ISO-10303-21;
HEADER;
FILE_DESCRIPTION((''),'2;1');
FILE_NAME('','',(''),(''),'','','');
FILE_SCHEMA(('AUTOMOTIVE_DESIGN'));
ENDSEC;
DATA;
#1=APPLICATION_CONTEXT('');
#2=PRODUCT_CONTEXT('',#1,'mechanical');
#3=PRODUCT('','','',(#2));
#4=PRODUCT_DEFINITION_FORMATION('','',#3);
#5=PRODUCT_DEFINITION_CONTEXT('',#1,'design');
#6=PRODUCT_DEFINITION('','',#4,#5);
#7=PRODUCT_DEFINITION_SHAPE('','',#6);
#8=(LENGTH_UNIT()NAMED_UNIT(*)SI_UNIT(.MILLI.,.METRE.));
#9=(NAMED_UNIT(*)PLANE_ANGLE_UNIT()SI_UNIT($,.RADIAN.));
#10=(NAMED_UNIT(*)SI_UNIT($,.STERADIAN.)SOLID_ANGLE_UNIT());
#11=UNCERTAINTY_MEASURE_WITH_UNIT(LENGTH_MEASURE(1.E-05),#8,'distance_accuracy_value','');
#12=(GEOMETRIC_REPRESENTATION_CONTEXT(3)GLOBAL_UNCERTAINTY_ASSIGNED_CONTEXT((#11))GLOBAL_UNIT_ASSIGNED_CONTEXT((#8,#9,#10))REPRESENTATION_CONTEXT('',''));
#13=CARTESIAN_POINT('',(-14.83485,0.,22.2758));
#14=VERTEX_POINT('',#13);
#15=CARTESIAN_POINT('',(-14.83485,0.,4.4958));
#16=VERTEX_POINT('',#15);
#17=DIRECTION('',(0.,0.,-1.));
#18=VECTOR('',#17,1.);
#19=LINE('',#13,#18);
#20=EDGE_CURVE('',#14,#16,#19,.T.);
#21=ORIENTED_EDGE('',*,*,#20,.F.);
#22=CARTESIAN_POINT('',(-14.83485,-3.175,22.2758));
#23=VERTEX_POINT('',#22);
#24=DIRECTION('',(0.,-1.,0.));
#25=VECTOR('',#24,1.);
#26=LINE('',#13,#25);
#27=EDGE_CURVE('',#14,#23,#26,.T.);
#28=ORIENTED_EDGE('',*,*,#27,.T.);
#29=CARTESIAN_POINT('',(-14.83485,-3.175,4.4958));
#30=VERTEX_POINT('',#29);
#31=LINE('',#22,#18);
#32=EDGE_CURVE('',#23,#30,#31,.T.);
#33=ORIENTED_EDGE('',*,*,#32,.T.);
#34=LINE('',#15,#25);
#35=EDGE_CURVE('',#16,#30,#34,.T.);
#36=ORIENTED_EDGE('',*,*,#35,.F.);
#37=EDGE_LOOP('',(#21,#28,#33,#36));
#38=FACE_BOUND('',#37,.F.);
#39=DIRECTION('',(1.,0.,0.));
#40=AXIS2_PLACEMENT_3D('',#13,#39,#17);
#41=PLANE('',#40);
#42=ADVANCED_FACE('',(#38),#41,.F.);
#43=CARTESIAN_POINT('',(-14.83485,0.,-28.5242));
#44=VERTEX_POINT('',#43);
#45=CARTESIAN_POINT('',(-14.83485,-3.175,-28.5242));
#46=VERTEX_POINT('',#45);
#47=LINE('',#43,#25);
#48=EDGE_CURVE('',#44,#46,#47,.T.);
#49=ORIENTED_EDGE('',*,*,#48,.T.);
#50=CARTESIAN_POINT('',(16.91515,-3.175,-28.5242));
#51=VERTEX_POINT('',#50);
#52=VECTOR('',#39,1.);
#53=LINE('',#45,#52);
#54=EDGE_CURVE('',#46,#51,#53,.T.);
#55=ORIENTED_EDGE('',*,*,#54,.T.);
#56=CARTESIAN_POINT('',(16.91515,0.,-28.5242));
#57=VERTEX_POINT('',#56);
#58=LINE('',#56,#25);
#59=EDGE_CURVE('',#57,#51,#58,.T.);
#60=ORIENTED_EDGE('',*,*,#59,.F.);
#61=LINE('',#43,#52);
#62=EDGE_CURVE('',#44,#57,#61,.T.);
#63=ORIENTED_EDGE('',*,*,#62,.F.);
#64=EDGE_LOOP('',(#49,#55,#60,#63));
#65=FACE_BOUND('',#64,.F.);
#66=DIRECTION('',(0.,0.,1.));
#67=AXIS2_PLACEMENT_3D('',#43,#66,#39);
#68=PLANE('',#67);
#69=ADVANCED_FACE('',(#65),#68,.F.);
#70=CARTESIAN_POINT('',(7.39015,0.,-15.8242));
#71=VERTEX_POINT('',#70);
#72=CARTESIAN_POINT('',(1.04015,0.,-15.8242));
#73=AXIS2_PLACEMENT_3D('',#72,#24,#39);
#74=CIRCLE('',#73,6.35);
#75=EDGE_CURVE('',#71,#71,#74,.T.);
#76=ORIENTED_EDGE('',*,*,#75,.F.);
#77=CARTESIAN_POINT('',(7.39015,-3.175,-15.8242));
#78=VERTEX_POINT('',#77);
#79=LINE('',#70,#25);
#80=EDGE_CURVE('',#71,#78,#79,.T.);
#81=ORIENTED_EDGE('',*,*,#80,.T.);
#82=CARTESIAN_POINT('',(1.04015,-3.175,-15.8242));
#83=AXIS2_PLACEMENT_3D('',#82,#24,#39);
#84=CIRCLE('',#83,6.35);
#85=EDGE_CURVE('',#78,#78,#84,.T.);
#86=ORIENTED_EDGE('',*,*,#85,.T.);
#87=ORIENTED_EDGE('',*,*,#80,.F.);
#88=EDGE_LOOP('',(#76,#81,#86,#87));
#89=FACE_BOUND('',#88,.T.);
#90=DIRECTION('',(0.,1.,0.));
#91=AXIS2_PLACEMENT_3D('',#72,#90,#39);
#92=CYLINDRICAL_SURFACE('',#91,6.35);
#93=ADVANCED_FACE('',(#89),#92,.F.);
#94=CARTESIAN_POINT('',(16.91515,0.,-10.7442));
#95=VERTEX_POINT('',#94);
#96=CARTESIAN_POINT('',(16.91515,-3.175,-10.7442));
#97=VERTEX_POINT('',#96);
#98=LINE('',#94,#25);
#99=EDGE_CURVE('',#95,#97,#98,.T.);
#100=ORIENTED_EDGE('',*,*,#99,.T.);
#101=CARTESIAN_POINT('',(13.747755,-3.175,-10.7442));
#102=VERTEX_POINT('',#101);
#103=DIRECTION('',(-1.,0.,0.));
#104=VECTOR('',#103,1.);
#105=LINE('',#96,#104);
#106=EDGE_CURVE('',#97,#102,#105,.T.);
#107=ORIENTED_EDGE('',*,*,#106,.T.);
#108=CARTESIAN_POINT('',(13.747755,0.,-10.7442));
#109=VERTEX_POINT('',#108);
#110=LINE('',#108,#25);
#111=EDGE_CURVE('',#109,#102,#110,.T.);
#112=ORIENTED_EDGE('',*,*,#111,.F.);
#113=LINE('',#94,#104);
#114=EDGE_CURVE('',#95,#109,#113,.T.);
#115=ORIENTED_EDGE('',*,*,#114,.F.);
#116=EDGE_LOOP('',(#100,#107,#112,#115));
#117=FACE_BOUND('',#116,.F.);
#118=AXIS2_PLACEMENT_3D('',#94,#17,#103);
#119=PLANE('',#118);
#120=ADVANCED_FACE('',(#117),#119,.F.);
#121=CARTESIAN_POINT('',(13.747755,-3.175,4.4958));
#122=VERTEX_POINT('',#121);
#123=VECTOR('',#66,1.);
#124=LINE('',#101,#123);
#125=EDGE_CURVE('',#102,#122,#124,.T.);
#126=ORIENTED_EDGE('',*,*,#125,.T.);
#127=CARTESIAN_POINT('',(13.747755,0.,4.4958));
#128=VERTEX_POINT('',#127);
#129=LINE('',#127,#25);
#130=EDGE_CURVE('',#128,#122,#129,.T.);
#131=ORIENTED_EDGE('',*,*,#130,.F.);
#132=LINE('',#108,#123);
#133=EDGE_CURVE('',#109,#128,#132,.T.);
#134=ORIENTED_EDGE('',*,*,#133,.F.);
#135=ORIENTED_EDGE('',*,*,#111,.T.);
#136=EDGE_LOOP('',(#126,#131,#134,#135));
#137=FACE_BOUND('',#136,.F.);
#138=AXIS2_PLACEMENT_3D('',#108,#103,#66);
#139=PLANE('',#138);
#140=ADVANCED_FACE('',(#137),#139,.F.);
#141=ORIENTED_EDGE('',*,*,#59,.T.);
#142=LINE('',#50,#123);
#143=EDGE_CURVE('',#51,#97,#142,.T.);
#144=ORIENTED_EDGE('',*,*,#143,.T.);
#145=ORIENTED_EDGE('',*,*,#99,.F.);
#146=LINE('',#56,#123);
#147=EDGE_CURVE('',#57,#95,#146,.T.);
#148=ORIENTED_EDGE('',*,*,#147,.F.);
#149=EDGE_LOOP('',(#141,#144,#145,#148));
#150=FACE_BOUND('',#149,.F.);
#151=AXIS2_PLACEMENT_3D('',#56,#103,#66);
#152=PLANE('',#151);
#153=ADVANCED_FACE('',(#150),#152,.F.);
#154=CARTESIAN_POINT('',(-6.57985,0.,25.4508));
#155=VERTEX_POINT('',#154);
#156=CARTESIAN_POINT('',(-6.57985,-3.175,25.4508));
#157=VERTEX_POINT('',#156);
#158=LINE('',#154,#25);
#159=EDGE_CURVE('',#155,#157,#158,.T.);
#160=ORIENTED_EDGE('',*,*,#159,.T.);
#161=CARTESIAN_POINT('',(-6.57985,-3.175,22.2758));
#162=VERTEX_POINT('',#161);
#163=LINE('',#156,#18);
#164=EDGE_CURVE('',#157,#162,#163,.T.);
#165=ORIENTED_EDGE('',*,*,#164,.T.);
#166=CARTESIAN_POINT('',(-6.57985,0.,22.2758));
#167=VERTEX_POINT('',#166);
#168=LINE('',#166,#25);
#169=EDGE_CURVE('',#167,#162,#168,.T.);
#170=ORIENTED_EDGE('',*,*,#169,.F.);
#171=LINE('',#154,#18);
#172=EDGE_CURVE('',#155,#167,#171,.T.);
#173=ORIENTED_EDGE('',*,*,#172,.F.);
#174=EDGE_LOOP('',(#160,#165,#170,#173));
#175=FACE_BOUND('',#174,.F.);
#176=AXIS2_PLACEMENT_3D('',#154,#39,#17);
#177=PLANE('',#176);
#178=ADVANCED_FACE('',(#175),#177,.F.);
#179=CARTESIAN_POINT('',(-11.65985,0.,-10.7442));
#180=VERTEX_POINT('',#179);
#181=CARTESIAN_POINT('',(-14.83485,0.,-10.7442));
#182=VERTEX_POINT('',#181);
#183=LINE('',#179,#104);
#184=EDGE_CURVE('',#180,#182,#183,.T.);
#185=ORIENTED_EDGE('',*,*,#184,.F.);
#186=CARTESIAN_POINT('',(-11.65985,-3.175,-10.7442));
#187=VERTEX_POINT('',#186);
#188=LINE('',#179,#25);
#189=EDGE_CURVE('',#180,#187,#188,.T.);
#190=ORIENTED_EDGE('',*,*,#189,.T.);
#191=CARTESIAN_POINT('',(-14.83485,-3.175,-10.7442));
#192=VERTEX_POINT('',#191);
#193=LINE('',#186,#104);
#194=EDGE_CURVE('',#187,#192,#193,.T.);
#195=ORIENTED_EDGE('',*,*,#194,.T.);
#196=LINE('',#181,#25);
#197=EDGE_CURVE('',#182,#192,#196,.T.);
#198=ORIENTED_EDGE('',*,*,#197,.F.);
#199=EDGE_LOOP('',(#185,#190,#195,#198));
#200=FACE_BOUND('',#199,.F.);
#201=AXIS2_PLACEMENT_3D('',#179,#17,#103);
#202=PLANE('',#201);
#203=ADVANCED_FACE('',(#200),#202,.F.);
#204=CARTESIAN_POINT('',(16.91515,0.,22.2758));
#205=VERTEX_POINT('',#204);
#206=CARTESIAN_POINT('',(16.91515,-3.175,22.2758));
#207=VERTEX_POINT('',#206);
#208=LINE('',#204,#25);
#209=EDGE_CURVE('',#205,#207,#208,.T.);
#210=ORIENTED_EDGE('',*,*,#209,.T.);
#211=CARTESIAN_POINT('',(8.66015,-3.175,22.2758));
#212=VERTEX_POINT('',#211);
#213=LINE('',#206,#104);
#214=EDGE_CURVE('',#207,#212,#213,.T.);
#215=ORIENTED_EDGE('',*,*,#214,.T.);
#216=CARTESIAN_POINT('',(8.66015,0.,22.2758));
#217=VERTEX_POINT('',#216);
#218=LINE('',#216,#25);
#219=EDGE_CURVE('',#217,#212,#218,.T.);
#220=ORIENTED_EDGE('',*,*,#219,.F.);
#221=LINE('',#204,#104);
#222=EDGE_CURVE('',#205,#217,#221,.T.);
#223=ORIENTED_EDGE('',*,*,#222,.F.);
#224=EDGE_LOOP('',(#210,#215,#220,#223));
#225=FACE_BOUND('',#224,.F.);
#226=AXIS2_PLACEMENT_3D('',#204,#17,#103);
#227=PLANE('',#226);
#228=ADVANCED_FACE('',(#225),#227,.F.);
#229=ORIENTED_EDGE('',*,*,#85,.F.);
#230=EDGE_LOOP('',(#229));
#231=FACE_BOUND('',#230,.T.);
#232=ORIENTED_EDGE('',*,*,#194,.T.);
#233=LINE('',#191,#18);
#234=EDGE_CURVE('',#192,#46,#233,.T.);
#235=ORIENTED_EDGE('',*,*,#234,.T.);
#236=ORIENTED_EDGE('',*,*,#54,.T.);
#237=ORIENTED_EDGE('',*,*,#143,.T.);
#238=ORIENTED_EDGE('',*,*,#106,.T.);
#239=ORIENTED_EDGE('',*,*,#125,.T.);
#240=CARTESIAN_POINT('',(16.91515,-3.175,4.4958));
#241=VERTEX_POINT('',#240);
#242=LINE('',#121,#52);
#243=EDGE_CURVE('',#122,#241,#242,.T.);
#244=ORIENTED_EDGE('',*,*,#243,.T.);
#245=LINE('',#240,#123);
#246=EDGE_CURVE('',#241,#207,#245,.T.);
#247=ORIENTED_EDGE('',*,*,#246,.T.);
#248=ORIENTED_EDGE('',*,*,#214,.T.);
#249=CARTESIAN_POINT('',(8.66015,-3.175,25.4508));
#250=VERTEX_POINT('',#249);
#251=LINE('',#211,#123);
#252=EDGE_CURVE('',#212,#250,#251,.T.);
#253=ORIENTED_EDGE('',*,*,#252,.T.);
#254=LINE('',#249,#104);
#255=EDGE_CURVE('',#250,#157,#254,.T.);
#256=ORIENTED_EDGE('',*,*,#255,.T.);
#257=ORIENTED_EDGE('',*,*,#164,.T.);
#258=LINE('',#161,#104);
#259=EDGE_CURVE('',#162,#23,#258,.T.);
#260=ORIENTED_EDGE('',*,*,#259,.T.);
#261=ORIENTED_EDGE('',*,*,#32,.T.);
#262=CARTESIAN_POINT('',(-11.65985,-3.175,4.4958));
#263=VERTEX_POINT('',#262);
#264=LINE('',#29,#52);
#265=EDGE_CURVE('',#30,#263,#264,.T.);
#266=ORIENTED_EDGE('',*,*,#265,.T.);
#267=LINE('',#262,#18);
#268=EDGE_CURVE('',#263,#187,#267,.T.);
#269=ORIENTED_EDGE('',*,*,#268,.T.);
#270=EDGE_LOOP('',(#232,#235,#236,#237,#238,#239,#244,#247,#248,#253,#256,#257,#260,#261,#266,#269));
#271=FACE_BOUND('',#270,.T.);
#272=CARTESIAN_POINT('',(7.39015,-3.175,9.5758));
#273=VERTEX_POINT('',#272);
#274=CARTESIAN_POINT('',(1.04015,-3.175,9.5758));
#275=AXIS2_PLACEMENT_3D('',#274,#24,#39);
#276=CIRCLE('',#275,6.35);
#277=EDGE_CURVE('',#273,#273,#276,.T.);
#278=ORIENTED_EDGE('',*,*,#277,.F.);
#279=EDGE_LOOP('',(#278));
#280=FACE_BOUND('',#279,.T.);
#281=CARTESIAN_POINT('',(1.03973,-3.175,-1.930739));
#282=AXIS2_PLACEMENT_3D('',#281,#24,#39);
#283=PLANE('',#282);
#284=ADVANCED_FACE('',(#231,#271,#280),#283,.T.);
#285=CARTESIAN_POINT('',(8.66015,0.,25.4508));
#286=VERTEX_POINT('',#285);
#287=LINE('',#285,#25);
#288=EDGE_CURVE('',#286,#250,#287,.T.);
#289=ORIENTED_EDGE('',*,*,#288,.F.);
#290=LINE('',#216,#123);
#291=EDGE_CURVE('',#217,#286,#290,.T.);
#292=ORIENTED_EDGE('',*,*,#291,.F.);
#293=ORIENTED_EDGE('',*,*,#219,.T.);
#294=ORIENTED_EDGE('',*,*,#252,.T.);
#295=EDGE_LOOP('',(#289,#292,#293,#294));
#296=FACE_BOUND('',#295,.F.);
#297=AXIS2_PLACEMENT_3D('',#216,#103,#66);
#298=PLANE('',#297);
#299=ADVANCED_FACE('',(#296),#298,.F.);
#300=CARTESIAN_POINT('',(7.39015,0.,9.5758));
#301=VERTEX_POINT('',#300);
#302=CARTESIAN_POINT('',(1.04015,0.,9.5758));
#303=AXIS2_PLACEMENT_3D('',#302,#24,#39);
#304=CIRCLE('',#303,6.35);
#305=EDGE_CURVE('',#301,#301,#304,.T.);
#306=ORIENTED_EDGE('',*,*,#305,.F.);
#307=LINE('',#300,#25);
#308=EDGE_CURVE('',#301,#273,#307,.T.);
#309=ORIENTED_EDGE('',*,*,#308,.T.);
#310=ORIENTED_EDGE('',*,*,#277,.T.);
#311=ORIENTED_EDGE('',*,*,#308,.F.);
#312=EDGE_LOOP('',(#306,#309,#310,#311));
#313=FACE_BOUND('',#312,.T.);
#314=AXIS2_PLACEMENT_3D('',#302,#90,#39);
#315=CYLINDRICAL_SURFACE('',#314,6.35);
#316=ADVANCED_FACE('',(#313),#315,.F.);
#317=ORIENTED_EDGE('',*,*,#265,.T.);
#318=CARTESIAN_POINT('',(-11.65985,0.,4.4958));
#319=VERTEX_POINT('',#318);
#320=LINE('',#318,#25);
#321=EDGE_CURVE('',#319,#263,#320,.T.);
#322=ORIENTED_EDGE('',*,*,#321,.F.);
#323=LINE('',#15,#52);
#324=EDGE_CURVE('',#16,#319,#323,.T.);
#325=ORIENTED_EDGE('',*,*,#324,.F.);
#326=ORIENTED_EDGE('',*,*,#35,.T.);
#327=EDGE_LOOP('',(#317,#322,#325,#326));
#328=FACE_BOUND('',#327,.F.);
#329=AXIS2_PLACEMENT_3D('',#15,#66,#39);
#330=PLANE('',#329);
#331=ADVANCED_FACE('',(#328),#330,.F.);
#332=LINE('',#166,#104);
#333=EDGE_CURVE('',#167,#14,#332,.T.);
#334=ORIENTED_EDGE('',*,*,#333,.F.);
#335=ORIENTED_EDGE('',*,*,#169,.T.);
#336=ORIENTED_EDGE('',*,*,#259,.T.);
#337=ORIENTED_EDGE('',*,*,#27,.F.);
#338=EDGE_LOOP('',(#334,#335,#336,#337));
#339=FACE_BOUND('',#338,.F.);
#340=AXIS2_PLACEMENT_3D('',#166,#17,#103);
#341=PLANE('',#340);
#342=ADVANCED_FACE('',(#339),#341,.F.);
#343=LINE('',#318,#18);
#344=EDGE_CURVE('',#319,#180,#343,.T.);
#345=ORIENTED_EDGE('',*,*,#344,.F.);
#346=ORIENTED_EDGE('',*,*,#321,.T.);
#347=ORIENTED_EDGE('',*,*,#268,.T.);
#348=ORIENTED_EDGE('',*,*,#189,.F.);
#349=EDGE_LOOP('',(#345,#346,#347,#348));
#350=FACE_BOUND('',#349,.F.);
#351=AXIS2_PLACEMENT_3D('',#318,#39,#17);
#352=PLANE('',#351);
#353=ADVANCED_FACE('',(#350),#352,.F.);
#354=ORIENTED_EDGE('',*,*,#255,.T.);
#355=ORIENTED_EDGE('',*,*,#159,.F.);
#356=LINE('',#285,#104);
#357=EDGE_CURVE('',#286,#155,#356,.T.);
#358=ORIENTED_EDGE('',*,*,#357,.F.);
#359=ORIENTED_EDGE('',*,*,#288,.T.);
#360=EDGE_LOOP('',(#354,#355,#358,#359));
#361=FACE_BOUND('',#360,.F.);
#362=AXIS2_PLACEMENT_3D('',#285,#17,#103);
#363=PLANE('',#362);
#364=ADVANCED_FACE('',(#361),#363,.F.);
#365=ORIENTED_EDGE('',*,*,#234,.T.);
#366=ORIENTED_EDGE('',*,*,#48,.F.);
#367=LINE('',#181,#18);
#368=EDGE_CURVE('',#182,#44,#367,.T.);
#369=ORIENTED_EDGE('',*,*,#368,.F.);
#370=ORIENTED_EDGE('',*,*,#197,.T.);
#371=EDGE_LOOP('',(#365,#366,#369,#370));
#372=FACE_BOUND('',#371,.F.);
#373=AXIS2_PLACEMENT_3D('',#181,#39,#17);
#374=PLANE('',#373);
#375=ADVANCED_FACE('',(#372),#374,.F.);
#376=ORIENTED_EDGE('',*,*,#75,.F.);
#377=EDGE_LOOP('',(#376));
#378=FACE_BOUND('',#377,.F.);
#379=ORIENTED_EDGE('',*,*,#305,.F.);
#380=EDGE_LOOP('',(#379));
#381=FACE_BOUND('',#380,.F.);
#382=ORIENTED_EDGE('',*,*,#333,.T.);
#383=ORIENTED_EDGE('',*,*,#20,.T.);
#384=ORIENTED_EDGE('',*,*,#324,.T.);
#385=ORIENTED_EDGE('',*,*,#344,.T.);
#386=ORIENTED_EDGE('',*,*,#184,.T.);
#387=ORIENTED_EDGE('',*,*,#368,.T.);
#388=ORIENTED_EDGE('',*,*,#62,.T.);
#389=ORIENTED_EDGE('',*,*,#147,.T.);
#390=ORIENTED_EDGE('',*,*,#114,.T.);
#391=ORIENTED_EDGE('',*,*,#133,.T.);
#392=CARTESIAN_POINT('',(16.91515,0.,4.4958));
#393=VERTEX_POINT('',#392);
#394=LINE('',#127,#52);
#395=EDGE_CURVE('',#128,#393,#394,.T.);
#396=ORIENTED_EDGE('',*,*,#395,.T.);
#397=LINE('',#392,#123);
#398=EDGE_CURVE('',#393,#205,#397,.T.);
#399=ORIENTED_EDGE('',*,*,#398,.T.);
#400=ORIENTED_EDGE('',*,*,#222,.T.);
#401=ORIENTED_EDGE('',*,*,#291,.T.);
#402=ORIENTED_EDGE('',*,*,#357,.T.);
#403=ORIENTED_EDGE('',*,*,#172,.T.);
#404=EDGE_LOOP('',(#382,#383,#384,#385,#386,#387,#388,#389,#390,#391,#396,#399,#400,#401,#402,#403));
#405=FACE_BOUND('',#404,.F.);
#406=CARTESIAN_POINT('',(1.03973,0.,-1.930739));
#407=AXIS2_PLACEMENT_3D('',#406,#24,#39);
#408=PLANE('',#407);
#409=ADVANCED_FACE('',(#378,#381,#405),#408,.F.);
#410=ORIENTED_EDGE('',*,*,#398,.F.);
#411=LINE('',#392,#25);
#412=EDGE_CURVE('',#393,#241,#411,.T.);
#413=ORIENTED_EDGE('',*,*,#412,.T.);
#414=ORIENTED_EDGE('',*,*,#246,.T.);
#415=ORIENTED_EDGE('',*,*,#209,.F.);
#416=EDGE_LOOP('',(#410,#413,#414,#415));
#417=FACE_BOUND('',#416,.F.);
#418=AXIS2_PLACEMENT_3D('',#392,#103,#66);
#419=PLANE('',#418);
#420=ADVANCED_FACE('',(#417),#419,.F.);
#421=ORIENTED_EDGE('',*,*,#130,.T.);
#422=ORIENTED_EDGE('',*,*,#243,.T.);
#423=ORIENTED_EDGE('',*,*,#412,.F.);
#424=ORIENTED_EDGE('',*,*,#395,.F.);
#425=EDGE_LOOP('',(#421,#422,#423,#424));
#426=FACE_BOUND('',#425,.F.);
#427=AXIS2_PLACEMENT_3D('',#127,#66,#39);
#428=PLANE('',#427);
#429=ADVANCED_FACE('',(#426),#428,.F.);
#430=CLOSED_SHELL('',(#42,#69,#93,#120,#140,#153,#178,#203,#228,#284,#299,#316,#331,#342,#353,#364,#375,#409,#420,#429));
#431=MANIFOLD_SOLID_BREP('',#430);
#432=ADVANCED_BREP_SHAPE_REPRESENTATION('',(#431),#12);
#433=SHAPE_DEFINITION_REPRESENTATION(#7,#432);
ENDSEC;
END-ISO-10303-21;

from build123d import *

# Parameters (mm, degrees)
F0_R     = 6.35
F1_DEPTH = 3.175


with BuildPart() as f1:
    # F0 (on Front) → F1 (new body)
    with BuildSketch(Plane.XZ):
        Polygon((-14.83485, -28.5242), (-11.65985, -28.5242), (13.74015, -28.5242), (16.91515, -28.5242), (16.91515, -10.7442), (13.747755, -10.7442), (13.747755, 4.4958), (16.91515, 4.4958), (16.91515, 22.2758), (8.66015, 22.2758), (8.66015, 25.4508), (-6.57985, 25.4508), (-6.57985, 22.2758), (-14.83485, 22.2758), (-14.83485, 4.4958), (-11.65985, 4.4958), (-11.65985, -10.7442), (-14.83485, -10.7442), align=None)
        with Locations((1.04015, -15.8242)):
            Circle(F0_R, mode=Mode.SUBTRACT)
        with Locations((1.04015, 9.5758)):
            Circle(F0_R, mode=Mode.SUBTRACT)
    extrude(amount=F1_DEPTH)


solid = f1.part
